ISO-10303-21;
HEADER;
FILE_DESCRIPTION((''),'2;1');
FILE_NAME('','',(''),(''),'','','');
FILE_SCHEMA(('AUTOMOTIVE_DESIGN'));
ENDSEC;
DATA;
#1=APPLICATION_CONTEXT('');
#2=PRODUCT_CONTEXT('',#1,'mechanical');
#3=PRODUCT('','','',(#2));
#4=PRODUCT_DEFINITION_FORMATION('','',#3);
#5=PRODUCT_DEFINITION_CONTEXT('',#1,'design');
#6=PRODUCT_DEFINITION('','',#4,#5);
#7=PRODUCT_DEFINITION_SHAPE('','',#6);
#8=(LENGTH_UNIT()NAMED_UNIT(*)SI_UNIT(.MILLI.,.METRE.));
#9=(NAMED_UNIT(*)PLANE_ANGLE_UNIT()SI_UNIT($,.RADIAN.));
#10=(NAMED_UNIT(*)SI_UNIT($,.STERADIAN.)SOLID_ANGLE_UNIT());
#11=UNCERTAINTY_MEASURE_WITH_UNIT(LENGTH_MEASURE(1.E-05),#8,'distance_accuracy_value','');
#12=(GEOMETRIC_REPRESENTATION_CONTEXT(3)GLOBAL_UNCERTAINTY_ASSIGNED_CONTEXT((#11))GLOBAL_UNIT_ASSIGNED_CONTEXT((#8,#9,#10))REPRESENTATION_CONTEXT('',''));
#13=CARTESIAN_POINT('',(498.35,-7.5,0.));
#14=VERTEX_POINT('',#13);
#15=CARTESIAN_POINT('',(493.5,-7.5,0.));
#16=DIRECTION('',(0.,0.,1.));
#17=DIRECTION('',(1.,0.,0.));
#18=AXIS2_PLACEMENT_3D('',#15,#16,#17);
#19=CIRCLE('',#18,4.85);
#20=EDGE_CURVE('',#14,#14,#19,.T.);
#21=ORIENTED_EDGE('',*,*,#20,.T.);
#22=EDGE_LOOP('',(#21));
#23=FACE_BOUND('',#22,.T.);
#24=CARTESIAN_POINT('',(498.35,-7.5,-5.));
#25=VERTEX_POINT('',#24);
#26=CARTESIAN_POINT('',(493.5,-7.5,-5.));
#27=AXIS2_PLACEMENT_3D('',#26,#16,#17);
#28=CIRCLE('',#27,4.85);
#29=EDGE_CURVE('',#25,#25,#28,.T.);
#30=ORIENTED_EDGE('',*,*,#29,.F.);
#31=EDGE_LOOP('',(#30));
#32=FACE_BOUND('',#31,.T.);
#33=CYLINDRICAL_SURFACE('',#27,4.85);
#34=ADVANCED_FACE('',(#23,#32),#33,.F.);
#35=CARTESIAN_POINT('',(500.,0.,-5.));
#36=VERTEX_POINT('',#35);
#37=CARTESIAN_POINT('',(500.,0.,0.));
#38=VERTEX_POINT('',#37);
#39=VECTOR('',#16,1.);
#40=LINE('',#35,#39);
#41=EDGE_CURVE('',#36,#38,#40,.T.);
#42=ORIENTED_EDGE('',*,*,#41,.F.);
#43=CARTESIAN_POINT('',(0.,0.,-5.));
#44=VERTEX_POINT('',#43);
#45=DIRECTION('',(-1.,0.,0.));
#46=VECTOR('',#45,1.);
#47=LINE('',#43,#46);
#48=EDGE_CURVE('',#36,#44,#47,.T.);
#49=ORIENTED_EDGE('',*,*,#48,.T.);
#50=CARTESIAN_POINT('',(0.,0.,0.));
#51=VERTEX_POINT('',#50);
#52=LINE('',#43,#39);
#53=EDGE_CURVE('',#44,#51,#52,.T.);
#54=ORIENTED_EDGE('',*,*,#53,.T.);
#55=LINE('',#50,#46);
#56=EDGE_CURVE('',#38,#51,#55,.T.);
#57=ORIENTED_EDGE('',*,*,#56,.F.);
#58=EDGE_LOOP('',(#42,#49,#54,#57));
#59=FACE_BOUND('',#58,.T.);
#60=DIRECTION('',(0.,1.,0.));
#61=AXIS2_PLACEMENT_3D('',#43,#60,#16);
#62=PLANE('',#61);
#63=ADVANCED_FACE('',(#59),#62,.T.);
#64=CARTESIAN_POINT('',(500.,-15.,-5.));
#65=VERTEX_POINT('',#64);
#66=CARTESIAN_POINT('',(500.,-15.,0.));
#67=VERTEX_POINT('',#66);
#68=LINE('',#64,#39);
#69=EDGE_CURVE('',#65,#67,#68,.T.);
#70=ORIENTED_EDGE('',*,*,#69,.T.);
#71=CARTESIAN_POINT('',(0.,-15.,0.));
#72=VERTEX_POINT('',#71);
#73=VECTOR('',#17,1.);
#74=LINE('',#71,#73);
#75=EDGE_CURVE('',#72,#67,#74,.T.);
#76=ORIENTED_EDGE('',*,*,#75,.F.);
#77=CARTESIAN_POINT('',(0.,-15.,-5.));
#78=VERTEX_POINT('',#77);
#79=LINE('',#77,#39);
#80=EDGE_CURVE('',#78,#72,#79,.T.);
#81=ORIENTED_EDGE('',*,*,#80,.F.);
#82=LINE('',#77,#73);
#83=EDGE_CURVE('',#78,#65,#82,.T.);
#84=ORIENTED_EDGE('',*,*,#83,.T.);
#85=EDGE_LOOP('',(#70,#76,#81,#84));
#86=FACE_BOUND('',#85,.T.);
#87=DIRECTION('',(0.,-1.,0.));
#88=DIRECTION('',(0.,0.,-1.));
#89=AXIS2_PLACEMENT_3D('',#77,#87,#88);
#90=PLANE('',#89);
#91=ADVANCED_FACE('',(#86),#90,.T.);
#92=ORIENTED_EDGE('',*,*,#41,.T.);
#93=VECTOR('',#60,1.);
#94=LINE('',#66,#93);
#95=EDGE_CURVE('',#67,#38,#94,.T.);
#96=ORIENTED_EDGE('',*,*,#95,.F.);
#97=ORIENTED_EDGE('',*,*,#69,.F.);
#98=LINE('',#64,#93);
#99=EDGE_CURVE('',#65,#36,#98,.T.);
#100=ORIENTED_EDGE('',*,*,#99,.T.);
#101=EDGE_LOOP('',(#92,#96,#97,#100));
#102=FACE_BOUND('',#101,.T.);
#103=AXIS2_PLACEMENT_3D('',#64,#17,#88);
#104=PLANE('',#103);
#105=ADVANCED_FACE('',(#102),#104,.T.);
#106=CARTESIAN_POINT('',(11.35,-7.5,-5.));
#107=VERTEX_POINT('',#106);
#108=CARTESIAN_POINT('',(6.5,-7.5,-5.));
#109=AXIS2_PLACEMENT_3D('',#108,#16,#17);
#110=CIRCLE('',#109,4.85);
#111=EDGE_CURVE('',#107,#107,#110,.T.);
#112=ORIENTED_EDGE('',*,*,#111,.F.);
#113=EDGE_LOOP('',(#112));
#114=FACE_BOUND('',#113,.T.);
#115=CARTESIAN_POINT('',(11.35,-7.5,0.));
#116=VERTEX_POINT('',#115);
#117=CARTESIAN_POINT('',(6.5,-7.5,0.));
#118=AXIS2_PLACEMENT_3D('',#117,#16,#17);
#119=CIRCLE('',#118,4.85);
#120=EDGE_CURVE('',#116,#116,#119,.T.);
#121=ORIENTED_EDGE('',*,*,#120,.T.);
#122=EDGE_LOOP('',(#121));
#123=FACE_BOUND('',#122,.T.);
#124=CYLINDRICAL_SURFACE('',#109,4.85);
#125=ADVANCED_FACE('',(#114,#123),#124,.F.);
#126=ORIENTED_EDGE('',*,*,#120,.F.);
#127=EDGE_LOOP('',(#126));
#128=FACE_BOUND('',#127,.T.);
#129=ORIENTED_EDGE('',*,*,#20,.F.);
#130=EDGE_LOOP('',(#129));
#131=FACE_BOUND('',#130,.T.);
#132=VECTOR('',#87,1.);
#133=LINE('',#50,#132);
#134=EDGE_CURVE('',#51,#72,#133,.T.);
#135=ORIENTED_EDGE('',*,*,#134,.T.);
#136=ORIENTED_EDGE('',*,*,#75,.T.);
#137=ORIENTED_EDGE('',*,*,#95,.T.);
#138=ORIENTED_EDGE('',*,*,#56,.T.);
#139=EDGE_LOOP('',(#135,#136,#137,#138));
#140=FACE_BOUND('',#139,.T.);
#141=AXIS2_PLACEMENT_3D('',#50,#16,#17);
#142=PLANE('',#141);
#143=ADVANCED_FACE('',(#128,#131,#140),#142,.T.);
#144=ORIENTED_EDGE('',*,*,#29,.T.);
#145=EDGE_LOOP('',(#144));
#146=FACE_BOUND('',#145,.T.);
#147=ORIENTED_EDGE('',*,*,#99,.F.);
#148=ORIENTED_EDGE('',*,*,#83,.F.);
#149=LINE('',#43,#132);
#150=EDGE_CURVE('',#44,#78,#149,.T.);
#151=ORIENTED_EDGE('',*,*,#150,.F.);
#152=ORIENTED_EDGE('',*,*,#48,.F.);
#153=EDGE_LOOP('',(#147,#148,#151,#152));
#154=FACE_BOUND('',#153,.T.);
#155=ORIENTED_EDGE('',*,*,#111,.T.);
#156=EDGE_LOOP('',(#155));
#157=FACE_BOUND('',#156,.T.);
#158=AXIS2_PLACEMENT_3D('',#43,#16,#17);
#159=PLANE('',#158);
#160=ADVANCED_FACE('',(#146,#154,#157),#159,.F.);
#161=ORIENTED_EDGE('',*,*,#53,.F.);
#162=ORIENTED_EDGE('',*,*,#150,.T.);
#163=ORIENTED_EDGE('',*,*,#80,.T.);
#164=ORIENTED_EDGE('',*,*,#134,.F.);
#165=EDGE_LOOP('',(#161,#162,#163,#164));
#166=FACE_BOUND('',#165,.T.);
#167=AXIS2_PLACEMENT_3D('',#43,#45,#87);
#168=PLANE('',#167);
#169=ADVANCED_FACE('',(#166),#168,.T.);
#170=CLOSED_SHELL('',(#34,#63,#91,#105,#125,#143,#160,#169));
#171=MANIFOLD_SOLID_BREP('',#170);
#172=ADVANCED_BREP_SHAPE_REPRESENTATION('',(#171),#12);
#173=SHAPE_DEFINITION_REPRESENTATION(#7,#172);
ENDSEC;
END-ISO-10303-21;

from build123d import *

# Parameters (mm, degrees)
SKETCH2_W           = 500
SKETCH2_H           = 15
BOSS_EXTRUDE1_DEPTH = 5
SKETCH3_R           = 4.85
CUT_EXTRUDE1_DEPTH  = 5


with BuildPart() as part:
    # Sketch2 → Boss-Extrude1 (new body)
    with BuildSketch(Plane.XY):
        with Locations((250, -7.5)):
            Rectangle(SKETCH2_W, SKETCH2_H)
    extrude(amount=-BOSS_EXTRUDE1_DEPTH)

    # Sketch3 → Cut-Extrude1 (cut)
    with BuildSketch(Plane.XY):
        with Locations((6.5, -7.5)):
            Circle(SKETCH3_R)
        with Locations((493.5, -7.5)):
            Circle(SKETCH3_R)
    extrude(amount=-CUT_EXTRUDE1_DEPTH, mode=Mode.SUBTRACT)


solid = part.part
